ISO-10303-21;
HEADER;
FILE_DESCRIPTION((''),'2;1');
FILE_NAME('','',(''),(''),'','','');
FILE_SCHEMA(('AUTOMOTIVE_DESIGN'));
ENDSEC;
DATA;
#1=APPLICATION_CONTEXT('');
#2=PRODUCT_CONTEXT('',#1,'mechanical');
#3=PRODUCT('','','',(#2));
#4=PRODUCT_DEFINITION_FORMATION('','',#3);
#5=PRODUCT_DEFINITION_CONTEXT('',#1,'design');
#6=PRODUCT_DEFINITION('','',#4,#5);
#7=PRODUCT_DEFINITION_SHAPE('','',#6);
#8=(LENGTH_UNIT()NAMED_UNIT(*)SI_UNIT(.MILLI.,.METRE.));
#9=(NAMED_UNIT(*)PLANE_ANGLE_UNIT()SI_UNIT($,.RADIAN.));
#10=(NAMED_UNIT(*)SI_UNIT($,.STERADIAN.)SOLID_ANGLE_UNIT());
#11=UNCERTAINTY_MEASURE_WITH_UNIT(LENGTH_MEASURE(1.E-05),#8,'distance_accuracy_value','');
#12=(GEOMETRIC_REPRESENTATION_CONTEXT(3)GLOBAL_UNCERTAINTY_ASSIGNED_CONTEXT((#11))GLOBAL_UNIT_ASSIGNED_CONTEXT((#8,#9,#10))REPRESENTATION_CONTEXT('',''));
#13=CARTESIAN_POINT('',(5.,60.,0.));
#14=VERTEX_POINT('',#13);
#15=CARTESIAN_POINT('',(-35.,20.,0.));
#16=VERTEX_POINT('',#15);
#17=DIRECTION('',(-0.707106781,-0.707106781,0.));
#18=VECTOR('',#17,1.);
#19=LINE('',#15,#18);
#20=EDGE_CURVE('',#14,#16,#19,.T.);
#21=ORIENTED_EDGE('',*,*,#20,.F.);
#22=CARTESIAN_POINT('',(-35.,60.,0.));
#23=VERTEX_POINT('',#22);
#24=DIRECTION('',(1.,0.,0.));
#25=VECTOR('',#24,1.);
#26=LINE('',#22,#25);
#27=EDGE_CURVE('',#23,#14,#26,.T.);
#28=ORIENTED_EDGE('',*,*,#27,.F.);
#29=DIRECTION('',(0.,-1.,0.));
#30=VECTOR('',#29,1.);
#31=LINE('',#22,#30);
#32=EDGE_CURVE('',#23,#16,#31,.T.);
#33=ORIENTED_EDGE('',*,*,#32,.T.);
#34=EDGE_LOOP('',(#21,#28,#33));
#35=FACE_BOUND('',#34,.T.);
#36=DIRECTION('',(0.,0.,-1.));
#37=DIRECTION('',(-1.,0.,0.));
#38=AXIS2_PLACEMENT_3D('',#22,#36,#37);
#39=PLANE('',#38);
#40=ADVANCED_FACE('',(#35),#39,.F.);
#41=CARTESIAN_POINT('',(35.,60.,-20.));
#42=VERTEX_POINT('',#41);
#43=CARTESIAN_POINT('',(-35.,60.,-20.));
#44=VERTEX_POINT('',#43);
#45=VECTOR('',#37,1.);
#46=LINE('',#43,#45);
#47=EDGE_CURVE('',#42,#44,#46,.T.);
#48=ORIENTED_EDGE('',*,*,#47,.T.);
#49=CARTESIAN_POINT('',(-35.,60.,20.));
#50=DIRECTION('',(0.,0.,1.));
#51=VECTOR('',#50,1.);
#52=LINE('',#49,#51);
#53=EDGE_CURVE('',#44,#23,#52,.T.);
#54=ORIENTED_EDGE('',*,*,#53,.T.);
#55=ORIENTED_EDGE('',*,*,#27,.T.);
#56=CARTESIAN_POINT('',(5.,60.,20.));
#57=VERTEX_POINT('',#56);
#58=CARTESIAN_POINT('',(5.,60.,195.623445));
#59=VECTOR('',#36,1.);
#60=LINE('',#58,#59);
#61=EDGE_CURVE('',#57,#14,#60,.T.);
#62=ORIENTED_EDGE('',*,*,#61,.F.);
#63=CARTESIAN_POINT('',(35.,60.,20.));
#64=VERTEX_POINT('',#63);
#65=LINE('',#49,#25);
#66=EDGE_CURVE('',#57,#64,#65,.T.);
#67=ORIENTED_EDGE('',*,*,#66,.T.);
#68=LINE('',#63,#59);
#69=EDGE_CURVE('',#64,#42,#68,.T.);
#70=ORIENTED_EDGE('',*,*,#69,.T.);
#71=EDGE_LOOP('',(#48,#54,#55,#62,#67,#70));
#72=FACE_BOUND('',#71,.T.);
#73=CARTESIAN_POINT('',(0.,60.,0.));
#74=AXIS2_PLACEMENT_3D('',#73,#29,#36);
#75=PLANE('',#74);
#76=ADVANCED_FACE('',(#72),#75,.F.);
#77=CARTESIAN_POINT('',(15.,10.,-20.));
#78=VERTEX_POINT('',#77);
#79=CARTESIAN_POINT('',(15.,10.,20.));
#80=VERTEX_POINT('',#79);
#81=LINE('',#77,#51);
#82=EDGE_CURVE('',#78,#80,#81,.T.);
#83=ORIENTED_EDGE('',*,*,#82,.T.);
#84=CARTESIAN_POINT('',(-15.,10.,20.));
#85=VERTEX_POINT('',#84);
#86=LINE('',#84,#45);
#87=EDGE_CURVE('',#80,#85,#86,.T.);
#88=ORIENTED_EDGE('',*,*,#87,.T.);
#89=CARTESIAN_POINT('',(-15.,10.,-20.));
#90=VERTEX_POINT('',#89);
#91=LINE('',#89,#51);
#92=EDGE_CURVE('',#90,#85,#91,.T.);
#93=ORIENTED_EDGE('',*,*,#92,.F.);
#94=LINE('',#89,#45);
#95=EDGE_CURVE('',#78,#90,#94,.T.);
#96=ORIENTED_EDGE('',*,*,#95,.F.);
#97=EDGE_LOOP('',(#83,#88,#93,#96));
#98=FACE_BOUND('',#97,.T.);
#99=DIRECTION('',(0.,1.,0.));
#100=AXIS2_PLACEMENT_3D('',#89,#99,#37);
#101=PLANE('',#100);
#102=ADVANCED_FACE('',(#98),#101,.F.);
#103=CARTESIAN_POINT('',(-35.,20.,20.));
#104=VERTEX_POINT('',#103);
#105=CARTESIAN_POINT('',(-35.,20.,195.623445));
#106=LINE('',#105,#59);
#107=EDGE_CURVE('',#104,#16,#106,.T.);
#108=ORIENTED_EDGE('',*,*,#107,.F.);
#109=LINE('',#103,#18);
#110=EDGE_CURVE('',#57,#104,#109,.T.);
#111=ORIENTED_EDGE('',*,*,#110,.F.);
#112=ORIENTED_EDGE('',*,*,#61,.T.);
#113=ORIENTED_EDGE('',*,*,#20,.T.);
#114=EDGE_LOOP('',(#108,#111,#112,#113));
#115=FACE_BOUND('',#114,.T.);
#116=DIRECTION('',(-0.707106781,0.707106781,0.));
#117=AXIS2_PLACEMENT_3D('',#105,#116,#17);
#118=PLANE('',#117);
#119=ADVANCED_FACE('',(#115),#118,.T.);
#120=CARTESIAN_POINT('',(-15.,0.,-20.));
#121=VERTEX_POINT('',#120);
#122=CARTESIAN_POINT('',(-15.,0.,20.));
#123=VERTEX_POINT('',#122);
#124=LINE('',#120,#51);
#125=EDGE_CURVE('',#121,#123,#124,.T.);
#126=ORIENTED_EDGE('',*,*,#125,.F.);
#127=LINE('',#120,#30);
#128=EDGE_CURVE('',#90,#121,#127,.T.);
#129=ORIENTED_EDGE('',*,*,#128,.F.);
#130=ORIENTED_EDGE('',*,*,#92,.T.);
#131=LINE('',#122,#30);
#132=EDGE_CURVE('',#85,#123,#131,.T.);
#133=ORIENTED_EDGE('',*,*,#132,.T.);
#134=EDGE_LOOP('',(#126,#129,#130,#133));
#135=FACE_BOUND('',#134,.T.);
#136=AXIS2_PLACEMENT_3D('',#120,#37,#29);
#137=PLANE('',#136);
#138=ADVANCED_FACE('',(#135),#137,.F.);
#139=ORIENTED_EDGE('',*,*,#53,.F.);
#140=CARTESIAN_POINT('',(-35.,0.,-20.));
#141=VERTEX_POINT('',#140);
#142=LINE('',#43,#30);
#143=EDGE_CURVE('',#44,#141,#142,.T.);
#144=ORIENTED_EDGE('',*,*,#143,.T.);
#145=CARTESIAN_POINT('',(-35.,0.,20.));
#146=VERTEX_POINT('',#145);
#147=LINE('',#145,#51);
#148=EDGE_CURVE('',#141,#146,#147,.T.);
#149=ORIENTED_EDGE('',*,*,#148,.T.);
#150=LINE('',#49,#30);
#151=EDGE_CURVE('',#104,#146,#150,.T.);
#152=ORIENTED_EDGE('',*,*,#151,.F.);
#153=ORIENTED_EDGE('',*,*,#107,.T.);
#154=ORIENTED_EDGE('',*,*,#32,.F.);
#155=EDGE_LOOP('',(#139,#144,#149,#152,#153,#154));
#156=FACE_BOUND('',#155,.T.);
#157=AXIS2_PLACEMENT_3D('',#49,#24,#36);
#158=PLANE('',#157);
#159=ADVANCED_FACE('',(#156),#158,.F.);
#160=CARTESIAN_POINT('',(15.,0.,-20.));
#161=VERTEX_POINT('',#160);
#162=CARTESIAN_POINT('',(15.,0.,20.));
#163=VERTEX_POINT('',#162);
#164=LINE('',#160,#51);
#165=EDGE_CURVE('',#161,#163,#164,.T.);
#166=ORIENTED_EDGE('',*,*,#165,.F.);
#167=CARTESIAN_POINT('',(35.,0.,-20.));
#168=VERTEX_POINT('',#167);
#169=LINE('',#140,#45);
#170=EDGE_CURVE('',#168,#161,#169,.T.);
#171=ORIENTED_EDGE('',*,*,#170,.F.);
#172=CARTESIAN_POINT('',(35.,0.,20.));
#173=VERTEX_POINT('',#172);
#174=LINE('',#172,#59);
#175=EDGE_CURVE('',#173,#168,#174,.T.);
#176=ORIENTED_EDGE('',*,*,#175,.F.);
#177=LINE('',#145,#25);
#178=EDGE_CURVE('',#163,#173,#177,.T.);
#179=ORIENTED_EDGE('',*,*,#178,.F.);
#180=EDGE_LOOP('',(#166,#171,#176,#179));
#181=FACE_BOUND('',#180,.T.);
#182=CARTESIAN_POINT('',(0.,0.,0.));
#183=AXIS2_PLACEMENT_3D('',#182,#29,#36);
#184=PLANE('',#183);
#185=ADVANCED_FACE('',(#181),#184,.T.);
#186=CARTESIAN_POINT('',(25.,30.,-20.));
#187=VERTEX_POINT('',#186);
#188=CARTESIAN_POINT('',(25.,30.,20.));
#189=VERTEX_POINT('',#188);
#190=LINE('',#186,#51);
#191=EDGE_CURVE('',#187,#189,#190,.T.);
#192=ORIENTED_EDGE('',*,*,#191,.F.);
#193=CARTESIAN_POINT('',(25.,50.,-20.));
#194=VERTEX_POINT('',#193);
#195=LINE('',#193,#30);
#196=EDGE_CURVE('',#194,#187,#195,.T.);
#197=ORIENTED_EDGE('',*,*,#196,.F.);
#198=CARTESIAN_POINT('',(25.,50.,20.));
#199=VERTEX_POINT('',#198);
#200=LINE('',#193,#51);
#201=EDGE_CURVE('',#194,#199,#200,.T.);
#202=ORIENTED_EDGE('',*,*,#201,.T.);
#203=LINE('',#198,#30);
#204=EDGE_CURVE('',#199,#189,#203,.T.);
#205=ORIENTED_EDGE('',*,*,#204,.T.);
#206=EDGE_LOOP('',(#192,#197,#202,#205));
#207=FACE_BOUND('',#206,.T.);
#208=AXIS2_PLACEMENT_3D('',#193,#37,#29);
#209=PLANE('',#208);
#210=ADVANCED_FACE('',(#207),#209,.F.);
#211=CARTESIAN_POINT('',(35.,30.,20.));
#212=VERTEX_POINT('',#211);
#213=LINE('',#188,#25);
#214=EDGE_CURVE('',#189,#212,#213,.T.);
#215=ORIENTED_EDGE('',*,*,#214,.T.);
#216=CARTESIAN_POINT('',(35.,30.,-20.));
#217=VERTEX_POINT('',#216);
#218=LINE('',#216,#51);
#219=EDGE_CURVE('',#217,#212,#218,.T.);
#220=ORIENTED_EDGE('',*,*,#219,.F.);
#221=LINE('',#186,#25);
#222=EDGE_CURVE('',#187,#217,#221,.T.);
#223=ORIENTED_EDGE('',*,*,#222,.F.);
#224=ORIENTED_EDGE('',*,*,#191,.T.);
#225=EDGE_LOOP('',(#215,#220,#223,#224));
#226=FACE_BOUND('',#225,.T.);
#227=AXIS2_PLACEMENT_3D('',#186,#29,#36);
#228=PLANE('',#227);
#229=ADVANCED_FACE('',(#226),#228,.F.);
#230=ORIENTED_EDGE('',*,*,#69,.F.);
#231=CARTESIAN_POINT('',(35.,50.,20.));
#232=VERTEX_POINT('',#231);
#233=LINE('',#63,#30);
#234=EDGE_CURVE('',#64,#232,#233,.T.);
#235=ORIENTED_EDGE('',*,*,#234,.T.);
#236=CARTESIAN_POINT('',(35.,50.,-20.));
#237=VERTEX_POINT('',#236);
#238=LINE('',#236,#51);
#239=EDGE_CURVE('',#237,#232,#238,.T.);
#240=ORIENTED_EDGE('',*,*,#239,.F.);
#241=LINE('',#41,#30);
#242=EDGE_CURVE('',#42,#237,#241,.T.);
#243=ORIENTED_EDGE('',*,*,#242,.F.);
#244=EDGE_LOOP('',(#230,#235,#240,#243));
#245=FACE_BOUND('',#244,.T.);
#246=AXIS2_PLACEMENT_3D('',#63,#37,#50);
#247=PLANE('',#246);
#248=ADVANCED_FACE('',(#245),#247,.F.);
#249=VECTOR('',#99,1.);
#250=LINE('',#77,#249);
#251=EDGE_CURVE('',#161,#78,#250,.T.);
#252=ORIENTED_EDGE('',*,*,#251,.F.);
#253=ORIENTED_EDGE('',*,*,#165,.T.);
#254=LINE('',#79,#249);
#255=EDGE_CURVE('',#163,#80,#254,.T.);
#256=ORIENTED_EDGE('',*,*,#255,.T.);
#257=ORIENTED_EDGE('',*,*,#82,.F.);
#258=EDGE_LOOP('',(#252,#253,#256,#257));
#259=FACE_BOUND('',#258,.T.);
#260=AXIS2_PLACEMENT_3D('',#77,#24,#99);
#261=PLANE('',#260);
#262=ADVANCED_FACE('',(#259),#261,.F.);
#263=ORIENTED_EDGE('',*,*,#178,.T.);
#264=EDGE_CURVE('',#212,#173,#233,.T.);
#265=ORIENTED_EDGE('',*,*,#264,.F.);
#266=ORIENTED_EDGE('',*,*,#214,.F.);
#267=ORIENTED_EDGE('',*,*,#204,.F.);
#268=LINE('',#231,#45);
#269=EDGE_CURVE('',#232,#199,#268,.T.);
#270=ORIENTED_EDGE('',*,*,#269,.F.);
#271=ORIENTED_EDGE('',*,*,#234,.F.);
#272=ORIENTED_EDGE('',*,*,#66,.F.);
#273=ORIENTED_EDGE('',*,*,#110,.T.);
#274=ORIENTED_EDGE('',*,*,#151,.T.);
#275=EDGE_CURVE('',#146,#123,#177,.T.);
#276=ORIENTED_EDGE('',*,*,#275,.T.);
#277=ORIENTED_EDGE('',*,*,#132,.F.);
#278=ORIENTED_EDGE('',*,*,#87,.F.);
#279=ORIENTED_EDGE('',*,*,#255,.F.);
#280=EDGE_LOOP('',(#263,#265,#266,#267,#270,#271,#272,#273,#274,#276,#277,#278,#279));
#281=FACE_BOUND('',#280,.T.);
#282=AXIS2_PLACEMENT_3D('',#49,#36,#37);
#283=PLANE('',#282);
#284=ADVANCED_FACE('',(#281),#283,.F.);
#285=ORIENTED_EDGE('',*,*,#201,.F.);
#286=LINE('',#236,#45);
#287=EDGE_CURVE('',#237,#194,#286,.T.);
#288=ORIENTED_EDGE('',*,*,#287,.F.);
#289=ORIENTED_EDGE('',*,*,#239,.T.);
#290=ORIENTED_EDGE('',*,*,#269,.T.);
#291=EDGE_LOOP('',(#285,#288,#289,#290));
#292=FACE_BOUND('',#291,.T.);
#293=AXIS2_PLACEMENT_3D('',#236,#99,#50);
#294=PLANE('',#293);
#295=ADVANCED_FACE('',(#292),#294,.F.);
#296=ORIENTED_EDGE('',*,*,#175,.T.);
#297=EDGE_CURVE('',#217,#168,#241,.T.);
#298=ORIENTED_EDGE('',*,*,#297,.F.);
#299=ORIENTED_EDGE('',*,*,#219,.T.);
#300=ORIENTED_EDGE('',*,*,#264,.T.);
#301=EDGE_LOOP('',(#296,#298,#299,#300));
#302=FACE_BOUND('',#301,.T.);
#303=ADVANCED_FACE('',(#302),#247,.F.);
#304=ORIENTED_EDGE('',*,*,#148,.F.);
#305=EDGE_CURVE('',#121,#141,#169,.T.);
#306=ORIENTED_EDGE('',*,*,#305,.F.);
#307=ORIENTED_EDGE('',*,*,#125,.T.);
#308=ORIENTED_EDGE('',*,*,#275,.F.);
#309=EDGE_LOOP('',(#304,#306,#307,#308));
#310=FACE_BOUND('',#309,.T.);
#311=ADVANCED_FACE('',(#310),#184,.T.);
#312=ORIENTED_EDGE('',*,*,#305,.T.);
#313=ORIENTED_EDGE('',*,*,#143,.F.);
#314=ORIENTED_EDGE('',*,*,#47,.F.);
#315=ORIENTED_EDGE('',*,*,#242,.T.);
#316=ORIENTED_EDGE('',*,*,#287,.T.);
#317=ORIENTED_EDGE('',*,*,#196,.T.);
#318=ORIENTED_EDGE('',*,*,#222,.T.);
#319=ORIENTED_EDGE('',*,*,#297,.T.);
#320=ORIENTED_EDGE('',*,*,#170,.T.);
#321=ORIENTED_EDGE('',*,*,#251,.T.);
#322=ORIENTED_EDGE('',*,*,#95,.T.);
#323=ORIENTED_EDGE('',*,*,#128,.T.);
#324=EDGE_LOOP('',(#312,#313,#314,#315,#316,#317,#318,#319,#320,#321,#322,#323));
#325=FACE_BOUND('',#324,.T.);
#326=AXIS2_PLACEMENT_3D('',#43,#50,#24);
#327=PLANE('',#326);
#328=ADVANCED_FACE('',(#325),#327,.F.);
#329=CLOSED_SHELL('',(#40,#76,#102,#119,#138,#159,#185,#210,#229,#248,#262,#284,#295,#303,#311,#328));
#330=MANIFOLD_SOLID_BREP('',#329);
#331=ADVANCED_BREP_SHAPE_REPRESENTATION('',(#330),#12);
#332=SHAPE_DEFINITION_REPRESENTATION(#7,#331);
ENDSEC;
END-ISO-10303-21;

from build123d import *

# Parameters (mm, degrees)
SKETCH1_W               = 70
SKETCH1_H               = 40
BOSS_EXTRUDE1_DEPTH     = 60
SKETCH2_W               = 30
SKETCH2_H               = 10
CUT_EXTRUDE1_DEPTH      = 81.156097709
SKETCH3_W               = 10
SKETCH3_H               = 20
CUT_EXTRUDE2_DEPTH      = 81.156097709
CUT_EXTRUDE3_DEPTH      = 81.156097709
CUT_EXTRUDE3_DEPTH_BACK = 20


with BuildPart() as part:
    # Sketch1 → Boss-Extrude1 (new body)
    with BuildSketch(Plane(origin=(0, 0, 0), x_dir=(1, 0, 0), z_dir=(0, 1, 0))):
        Rectangle(SKETCH1_W, SKETCH1_H)
    extrude(amount=BOSS_EXTRUDE1_DEPTH)

    # Sketch2 → Cut-Extrude1 (cut, through all)
    with BuildSketch(Plane.XY.offset(20)):
        with Locations((0, 5)):
            Rectangle(SKETCH2_W, SKETCH2_H)
    extrude(amount=-CUT_EXTRUDE1_DEPTH, mode=Mode.SUBTRACT)

    # Sketch3 → Cut-Extrude2 (cut, through all)
    with BuildSketch(Plane.XY.offset(20)):
        with Locations((30, 40)):
            Rectangle(SKETCH3_W, SKETCH3_H)
    extrude(amount=-CUT_EXTRUDE2_DEPTH, mode=Mode.SUBTRACT)

    # Sketch4 → Cut-Extrude3 (cut, two sides: drawn at the far end of the back side and taken through both)
    with BuildSketch(Plane.XY.offset(20).offset(-CUT_EXTRUDE3_DEPTH_BACK)):
        Polygon((-156.088610322, -101.088610322), (-35, 20), (5, 60), (126.088610322, 181.088610322), (-116.088610322, 423.265830965), (-398.265830965, 141.088610322), align=None)
    extrude(amount=CUT_EXTRUDE3_DEPTH + CUT_EXTRUDE3_DEPTH_BACK, mode=Mode.SUBTRACT)


solid = part.part
